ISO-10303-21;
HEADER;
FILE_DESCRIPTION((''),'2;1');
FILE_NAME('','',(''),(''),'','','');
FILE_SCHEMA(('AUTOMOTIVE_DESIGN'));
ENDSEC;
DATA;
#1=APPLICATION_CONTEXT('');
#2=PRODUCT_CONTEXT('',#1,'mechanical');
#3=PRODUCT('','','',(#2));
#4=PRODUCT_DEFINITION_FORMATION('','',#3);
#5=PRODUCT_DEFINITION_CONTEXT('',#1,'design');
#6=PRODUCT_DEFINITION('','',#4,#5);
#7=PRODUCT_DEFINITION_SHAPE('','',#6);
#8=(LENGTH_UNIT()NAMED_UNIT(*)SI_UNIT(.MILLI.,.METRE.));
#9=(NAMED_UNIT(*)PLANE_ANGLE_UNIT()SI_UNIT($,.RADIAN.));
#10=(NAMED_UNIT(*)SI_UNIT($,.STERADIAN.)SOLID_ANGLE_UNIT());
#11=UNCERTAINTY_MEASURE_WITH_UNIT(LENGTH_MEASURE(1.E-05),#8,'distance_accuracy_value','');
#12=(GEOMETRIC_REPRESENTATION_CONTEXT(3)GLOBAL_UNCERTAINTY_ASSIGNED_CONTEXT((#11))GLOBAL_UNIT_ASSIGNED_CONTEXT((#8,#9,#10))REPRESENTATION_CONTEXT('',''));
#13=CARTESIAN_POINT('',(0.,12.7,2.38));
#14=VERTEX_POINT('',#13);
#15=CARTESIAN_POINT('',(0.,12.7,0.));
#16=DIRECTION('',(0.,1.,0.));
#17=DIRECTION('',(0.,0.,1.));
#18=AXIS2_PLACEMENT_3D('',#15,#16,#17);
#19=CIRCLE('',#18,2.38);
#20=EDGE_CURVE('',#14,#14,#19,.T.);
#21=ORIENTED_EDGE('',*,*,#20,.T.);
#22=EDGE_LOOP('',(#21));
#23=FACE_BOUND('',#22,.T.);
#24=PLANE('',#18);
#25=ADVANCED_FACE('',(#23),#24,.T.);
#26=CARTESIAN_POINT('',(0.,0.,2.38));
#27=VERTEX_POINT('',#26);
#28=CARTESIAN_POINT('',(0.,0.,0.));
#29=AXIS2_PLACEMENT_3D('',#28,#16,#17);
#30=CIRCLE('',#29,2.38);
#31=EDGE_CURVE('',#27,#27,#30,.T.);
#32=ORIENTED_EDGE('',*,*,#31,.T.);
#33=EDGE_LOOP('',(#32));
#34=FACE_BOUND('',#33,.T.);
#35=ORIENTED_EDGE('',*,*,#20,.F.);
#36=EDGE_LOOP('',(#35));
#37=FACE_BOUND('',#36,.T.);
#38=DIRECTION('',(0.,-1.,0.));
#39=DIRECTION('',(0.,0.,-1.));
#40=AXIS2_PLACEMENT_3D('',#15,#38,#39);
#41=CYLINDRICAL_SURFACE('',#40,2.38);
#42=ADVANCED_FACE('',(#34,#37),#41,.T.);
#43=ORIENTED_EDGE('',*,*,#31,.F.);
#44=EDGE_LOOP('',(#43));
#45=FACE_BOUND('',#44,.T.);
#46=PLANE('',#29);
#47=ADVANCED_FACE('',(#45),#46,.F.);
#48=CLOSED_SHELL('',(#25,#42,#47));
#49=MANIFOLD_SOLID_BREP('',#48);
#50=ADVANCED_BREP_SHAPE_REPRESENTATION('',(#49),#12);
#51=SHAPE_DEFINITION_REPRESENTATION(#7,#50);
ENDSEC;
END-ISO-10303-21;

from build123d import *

# Parameters (mm, degrees)
SKETCH1_R        = 2.38
DOWEL_BODY_DEPTH = 12.7


with BuildPart() as part:
    # Sketch1 → dowel_body (new body)
    with BuildSketch(Plane(origin=(0, 0, 0), x_dir=(1, 0, 0), z_dir=(0, 1, 0))):
        Circle(SKETCH1_R)
    extrude(amount=DOWEL_BODY_DEPTH)


solid = part.part
